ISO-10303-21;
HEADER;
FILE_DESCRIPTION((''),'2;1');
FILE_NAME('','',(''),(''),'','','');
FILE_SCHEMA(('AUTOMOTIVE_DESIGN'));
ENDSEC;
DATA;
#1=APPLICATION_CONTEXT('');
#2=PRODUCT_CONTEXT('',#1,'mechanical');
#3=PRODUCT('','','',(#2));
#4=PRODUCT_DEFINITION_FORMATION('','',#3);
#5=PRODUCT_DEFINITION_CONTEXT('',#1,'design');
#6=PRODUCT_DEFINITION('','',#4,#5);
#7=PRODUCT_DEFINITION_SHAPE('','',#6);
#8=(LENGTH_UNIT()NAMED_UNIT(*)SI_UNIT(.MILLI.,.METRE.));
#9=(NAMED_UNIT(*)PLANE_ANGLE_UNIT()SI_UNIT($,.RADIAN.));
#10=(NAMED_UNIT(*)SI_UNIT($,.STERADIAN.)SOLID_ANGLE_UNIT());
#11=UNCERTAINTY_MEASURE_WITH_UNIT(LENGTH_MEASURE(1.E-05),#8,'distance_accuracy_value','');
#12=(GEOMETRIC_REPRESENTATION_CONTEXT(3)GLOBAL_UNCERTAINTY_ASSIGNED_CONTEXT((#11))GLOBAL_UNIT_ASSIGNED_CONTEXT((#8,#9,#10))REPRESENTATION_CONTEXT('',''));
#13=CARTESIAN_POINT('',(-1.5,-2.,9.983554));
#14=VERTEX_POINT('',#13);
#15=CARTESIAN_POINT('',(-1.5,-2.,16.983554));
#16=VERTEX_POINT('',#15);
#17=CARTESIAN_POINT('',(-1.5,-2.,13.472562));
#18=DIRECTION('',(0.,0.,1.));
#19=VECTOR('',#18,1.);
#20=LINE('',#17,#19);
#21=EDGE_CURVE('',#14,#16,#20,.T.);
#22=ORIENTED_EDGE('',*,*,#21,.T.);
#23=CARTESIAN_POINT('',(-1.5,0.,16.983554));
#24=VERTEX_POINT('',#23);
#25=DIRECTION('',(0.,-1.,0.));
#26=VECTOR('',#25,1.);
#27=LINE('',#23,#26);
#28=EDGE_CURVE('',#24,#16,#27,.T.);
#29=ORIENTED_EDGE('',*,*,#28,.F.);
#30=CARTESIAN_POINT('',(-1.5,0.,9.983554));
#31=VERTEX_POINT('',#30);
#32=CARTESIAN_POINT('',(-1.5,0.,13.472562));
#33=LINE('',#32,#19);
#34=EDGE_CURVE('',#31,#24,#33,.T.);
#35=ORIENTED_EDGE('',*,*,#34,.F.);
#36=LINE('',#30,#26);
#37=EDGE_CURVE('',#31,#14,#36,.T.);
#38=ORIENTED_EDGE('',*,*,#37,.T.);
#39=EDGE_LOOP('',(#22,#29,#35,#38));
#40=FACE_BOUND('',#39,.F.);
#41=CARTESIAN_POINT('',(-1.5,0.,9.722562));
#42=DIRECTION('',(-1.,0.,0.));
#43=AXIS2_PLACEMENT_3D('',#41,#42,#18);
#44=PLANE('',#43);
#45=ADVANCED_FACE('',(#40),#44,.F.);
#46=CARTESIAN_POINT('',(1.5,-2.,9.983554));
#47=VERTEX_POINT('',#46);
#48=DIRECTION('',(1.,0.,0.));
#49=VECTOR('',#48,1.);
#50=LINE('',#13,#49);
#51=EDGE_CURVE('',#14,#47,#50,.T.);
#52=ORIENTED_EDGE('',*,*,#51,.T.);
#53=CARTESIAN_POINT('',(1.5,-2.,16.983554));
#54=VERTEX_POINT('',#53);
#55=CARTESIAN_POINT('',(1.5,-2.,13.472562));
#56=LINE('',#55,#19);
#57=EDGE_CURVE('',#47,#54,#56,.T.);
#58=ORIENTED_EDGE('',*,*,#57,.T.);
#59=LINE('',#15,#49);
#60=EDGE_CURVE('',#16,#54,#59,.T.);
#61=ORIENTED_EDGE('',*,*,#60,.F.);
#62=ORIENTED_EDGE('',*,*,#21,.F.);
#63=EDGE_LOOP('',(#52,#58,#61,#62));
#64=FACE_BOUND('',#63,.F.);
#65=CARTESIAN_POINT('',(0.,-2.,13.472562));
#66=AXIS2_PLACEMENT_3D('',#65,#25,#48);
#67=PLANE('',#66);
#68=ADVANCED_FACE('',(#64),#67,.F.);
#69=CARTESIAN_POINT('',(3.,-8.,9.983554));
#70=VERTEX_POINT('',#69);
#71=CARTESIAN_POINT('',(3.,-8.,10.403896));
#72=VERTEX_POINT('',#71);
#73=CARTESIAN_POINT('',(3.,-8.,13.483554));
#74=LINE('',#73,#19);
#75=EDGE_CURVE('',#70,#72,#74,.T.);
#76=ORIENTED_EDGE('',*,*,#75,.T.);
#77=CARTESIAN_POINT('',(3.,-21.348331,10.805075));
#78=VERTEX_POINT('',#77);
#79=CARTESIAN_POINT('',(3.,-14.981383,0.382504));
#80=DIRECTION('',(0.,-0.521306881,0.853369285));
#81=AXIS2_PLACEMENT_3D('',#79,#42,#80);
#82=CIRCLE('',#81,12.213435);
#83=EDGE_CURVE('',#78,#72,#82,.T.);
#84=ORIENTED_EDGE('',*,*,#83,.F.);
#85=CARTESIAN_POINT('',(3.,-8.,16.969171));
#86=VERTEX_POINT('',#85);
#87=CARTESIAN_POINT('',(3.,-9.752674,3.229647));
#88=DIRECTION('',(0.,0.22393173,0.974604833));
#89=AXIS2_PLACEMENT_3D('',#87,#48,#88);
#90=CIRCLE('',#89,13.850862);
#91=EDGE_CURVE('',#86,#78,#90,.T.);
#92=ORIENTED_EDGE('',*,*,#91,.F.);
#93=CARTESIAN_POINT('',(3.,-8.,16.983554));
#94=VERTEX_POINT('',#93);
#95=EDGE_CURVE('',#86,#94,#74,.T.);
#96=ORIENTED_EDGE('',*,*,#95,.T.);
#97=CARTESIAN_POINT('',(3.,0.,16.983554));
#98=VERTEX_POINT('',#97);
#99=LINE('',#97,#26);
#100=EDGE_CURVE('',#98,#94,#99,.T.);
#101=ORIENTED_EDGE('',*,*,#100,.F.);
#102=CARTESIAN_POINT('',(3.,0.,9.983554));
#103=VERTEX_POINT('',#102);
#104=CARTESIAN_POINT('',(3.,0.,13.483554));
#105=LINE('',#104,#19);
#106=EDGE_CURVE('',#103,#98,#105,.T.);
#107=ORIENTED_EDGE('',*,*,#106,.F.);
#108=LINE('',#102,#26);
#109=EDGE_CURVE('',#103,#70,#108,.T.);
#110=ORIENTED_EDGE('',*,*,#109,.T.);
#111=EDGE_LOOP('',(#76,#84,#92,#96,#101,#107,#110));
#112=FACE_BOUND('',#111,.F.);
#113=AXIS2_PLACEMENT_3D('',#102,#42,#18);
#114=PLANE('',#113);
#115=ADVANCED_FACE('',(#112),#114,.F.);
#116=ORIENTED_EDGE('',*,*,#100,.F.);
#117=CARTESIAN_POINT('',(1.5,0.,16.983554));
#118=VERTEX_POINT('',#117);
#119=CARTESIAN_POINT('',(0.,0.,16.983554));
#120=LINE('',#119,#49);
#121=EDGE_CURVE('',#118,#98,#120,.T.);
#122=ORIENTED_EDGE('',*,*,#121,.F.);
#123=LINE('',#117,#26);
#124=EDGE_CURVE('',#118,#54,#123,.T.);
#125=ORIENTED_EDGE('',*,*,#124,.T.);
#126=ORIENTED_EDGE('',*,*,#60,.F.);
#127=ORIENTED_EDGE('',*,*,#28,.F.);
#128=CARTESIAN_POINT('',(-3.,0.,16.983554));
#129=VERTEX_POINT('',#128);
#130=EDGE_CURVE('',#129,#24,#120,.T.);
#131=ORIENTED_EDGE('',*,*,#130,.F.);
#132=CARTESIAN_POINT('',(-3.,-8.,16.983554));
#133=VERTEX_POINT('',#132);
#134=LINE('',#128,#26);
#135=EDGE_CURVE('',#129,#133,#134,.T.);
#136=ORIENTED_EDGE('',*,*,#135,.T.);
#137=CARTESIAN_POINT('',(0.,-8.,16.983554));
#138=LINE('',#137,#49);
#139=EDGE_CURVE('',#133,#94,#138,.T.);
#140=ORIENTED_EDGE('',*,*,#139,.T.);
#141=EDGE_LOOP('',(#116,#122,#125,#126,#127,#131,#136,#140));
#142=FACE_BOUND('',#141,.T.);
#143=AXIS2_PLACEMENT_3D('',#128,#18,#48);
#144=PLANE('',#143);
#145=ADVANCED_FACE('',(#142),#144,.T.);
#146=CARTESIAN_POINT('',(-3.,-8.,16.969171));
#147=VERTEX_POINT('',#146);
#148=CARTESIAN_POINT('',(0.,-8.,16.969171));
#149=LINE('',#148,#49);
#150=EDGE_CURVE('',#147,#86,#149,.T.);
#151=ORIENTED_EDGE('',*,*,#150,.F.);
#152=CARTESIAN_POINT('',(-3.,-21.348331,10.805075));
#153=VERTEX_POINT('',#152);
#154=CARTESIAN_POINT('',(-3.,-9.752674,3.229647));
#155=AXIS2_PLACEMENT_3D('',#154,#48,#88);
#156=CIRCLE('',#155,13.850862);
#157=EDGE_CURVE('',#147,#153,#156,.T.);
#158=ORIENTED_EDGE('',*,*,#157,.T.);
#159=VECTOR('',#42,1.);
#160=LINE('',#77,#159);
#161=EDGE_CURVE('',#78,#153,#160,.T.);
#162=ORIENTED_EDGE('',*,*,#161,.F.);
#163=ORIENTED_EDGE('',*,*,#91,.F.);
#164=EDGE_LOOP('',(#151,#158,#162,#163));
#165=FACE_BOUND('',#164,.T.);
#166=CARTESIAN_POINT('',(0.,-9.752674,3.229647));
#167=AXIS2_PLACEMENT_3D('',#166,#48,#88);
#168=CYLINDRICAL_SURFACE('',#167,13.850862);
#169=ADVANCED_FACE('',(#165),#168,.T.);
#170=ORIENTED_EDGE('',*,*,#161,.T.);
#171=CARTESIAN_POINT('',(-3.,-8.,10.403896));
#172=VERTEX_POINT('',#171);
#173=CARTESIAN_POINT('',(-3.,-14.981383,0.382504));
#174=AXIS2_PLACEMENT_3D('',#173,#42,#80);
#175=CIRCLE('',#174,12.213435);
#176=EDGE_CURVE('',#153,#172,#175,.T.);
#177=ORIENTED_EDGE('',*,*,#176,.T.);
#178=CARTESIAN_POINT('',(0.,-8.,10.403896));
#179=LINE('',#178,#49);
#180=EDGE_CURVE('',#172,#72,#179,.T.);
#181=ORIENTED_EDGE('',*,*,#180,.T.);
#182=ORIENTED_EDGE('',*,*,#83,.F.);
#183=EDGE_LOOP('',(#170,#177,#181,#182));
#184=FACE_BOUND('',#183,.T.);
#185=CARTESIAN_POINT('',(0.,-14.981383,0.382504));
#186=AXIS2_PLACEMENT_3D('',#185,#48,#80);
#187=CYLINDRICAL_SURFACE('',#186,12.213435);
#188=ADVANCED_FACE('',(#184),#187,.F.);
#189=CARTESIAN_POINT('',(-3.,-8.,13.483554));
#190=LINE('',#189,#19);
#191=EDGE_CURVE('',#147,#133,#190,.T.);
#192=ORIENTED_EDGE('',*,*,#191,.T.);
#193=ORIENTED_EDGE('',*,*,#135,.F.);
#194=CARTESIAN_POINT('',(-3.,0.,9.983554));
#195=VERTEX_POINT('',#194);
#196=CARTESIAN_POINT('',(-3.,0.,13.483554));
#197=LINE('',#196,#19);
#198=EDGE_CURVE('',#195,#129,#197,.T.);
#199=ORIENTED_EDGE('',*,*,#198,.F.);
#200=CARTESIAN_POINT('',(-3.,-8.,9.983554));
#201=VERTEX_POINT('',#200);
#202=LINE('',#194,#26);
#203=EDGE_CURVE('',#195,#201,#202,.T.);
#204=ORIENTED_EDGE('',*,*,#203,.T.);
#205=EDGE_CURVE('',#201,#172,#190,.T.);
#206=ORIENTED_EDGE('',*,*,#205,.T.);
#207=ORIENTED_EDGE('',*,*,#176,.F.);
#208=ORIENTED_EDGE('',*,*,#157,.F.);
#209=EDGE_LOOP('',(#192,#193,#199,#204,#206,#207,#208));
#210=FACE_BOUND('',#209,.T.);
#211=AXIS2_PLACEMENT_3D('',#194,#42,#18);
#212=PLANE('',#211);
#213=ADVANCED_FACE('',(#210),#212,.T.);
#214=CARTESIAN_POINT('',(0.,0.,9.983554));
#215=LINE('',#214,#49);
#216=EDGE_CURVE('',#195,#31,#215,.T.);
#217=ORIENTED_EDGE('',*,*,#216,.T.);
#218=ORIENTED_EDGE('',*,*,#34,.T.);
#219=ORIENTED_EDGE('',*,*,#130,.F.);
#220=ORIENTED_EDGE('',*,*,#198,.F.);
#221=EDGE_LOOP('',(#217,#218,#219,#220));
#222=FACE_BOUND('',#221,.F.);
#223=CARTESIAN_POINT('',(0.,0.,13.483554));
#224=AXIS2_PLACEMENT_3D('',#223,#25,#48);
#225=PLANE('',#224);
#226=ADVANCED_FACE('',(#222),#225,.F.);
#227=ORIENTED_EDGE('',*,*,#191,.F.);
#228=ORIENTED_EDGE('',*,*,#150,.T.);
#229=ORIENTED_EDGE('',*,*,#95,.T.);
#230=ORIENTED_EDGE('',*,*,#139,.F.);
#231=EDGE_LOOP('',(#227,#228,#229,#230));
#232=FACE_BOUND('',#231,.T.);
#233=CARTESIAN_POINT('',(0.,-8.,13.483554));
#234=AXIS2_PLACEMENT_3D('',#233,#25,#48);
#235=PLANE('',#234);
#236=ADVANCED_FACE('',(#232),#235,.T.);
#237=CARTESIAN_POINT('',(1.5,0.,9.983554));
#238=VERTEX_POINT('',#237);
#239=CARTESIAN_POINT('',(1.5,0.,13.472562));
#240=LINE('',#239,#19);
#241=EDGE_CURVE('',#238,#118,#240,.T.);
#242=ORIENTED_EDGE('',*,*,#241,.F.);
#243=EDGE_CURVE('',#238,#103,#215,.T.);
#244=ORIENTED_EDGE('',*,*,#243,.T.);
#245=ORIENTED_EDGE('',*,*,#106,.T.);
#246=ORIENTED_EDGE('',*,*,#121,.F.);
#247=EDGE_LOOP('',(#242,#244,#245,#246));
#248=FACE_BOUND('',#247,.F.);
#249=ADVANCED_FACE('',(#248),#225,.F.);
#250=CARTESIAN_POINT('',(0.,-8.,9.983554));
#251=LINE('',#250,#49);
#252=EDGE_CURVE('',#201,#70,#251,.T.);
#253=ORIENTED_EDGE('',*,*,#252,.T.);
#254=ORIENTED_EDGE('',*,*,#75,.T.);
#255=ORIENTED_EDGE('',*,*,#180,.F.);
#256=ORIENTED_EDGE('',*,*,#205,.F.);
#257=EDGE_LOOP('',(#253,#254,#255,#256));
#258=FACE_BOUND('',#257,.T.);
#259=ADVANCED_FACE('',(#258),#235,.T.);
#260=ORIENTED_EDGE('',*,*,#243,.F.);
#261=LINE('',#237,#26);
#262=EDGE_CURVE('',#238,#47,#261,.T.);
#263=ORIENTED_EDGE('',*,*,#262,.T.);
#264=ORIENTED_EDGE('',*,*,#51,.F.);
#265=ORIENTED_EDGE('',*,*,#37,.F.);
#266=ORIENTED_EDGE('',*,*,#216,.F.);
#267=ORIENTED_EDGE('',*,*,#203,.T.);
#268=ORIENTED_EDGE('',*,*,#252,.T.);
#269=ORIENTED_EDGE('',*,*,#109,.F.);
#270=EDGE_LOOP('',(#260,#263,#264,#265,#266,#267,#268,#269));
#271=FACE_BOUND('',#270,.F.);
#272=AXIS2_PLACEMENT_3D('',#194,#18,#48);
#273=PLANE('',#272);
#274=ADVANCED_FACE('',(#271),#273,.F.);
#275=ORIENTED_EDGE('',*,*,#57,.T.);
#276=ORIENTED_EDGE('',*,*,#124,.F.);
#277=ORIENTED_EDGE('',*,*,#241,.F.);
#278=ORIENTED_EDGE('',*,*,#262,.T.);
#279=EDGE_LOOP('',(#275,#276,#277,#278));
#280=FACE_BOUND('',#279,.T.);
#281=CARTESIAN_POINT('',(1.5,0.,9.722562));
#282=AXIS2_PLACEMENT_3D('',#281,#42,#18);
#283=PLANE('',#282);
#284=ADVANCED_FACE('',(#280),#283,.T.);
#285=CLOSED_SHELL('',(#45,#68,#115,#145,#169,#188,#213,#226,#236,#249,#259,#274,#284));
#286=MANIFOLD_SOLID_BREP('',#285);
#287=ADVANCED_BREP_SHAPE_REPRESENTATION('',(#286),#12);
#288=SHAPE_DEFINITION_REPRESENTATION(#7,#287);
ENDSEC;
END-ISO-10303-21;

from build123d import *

# Parameters (mm, degrees)
F0_W     = 6
F0_H     = 7
F1_DEPTH = 8
F2_W     = 3
F2_H     = 7.5
F3_DEPTH = 2
F5_DEPTH = 3


with BuildPart() as f1:
    # F0 (on Front) → F1 (new body)
    with BuildSketch(Plane.XZ):
        with Locations((0, 13.483554)):
            Rectangle(F0_W, F0_H)
    extrude(amount=F1_DEPTH)

    # F2 (on Front) → F3 (cut)
    with BuildSketch(Plane.XZ):
        with Locations((0, 13.472562)):
            Rectangle(F2_W, F2_H)
    extrude(amount=F3_DEPTH, mode=Mode.SUBTRACT)

    # F4 (on Right) → F5 (join, symmetric)
    with BuildSketch(Plane.YZ):
        with BuildLine():
            Line((-7.866293, 10.309412), (-6.651026, 16.728764))
            ThreePointArc((-6.651026, 16.728764), (-14.93047, 16.076312), (-21.348331, 10.805075))
            ThreePointArc((-21.348331, 10.805075), (-14.532663, 12.587694), (-7.866293, 10.309412))
        make_face()
    extrude(amount=F5_DEPTH, both=True)


solid = f1.part
